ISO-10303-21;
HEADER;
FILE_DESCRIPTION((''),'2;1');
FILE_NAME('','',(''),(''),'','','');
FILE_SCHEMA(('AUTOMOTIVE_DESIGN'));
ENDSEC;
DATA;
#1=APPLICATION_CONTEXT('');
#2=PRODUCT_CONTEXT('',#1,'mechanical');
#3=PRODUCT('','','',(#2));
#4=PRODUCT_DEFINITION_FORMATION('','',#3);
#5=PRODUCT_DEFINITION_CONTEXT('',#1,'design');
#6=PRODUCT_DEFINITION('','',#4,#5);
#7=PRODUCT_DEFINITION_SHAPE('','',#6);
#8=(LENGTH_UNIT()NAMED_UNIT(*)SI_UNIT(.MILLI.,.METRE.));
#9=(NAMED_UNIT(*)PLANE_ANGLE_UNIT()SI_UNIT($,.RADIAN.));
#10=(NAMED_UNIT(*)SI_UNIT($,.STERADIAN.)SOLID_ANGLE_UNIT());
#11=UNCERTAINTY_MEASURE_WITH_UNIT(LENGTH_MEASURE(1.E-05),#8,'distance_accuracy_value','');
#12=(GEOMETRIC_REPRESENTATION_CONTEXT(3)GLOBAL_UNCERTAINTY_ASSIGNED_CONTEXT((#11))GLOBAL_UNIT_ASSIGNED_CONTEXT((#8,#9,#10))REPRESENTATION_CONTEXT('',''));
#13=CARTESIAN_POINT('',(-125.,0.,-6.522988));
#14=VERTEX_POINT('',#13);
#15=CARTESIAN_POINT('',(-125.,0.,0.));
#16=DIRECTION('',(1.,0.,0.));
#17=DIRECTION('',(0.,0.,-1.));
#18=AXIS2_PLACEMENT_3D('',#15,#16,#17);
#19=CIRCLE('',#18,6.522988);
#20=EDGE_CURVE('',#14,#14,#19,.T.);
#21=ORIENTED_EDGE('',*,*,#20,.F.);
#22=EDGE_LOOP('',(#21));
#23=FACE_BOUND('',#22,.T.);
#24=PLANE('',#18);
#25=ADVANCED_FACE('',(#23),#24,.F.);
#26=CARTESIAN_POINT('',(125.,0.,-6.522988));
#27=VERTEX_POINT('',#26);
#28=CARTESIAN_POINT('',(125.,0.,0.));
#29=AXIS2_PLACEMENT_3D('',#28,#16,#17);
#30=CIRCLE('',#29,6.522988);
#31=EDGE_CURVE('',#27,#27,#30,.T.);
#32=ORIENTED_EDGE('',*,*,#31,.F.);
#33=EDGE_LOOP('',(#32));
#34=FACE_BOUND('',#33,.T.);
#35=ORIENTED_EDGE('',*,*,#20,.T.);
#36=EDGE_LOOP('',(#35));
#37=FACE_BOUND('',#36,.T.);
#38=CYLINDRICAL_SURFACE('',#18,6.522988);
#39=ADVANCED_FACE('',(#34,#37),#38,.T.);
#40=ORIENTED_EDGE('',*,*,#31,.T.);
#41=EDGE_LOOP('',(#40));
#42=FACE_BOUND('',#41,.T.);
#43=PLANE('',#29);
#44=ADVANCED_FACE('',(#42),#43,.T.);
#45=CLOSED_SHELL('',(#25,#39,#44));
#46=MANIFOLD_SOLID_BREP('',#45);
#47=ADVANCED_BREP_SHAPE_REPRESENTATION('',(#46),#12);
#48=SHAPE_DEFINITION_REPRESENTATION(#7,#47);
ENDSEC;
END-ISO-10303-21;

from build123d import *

# Parameters (mm, degrees)
BOSS_EXTRUDE1_DEPTH      = 125
BOSS_EXTRUDE1_DEPTH_BACK = 125
SKETCH1_R                = 6.522988495


with BuildPart() as part:
    # Sketch1 → Boss-Extrude1 (new, two sides: drawn at the far end of the back side and taken through both)
    with BuildSketch(Plane(origin=(0, 0, 0), x_dir=(0, 0, -1), z_dir=(1, 0, 0)).offset(-BOSS_EXTRUDE1_DEPTH_BACK)):
        Circle(SKETCH1_R)
    extrude(amount=BOSS_EXTRUDE1_DEPTH + BOSS_EXTRUDE1_DEPTH_BACK)


solid = part.part
